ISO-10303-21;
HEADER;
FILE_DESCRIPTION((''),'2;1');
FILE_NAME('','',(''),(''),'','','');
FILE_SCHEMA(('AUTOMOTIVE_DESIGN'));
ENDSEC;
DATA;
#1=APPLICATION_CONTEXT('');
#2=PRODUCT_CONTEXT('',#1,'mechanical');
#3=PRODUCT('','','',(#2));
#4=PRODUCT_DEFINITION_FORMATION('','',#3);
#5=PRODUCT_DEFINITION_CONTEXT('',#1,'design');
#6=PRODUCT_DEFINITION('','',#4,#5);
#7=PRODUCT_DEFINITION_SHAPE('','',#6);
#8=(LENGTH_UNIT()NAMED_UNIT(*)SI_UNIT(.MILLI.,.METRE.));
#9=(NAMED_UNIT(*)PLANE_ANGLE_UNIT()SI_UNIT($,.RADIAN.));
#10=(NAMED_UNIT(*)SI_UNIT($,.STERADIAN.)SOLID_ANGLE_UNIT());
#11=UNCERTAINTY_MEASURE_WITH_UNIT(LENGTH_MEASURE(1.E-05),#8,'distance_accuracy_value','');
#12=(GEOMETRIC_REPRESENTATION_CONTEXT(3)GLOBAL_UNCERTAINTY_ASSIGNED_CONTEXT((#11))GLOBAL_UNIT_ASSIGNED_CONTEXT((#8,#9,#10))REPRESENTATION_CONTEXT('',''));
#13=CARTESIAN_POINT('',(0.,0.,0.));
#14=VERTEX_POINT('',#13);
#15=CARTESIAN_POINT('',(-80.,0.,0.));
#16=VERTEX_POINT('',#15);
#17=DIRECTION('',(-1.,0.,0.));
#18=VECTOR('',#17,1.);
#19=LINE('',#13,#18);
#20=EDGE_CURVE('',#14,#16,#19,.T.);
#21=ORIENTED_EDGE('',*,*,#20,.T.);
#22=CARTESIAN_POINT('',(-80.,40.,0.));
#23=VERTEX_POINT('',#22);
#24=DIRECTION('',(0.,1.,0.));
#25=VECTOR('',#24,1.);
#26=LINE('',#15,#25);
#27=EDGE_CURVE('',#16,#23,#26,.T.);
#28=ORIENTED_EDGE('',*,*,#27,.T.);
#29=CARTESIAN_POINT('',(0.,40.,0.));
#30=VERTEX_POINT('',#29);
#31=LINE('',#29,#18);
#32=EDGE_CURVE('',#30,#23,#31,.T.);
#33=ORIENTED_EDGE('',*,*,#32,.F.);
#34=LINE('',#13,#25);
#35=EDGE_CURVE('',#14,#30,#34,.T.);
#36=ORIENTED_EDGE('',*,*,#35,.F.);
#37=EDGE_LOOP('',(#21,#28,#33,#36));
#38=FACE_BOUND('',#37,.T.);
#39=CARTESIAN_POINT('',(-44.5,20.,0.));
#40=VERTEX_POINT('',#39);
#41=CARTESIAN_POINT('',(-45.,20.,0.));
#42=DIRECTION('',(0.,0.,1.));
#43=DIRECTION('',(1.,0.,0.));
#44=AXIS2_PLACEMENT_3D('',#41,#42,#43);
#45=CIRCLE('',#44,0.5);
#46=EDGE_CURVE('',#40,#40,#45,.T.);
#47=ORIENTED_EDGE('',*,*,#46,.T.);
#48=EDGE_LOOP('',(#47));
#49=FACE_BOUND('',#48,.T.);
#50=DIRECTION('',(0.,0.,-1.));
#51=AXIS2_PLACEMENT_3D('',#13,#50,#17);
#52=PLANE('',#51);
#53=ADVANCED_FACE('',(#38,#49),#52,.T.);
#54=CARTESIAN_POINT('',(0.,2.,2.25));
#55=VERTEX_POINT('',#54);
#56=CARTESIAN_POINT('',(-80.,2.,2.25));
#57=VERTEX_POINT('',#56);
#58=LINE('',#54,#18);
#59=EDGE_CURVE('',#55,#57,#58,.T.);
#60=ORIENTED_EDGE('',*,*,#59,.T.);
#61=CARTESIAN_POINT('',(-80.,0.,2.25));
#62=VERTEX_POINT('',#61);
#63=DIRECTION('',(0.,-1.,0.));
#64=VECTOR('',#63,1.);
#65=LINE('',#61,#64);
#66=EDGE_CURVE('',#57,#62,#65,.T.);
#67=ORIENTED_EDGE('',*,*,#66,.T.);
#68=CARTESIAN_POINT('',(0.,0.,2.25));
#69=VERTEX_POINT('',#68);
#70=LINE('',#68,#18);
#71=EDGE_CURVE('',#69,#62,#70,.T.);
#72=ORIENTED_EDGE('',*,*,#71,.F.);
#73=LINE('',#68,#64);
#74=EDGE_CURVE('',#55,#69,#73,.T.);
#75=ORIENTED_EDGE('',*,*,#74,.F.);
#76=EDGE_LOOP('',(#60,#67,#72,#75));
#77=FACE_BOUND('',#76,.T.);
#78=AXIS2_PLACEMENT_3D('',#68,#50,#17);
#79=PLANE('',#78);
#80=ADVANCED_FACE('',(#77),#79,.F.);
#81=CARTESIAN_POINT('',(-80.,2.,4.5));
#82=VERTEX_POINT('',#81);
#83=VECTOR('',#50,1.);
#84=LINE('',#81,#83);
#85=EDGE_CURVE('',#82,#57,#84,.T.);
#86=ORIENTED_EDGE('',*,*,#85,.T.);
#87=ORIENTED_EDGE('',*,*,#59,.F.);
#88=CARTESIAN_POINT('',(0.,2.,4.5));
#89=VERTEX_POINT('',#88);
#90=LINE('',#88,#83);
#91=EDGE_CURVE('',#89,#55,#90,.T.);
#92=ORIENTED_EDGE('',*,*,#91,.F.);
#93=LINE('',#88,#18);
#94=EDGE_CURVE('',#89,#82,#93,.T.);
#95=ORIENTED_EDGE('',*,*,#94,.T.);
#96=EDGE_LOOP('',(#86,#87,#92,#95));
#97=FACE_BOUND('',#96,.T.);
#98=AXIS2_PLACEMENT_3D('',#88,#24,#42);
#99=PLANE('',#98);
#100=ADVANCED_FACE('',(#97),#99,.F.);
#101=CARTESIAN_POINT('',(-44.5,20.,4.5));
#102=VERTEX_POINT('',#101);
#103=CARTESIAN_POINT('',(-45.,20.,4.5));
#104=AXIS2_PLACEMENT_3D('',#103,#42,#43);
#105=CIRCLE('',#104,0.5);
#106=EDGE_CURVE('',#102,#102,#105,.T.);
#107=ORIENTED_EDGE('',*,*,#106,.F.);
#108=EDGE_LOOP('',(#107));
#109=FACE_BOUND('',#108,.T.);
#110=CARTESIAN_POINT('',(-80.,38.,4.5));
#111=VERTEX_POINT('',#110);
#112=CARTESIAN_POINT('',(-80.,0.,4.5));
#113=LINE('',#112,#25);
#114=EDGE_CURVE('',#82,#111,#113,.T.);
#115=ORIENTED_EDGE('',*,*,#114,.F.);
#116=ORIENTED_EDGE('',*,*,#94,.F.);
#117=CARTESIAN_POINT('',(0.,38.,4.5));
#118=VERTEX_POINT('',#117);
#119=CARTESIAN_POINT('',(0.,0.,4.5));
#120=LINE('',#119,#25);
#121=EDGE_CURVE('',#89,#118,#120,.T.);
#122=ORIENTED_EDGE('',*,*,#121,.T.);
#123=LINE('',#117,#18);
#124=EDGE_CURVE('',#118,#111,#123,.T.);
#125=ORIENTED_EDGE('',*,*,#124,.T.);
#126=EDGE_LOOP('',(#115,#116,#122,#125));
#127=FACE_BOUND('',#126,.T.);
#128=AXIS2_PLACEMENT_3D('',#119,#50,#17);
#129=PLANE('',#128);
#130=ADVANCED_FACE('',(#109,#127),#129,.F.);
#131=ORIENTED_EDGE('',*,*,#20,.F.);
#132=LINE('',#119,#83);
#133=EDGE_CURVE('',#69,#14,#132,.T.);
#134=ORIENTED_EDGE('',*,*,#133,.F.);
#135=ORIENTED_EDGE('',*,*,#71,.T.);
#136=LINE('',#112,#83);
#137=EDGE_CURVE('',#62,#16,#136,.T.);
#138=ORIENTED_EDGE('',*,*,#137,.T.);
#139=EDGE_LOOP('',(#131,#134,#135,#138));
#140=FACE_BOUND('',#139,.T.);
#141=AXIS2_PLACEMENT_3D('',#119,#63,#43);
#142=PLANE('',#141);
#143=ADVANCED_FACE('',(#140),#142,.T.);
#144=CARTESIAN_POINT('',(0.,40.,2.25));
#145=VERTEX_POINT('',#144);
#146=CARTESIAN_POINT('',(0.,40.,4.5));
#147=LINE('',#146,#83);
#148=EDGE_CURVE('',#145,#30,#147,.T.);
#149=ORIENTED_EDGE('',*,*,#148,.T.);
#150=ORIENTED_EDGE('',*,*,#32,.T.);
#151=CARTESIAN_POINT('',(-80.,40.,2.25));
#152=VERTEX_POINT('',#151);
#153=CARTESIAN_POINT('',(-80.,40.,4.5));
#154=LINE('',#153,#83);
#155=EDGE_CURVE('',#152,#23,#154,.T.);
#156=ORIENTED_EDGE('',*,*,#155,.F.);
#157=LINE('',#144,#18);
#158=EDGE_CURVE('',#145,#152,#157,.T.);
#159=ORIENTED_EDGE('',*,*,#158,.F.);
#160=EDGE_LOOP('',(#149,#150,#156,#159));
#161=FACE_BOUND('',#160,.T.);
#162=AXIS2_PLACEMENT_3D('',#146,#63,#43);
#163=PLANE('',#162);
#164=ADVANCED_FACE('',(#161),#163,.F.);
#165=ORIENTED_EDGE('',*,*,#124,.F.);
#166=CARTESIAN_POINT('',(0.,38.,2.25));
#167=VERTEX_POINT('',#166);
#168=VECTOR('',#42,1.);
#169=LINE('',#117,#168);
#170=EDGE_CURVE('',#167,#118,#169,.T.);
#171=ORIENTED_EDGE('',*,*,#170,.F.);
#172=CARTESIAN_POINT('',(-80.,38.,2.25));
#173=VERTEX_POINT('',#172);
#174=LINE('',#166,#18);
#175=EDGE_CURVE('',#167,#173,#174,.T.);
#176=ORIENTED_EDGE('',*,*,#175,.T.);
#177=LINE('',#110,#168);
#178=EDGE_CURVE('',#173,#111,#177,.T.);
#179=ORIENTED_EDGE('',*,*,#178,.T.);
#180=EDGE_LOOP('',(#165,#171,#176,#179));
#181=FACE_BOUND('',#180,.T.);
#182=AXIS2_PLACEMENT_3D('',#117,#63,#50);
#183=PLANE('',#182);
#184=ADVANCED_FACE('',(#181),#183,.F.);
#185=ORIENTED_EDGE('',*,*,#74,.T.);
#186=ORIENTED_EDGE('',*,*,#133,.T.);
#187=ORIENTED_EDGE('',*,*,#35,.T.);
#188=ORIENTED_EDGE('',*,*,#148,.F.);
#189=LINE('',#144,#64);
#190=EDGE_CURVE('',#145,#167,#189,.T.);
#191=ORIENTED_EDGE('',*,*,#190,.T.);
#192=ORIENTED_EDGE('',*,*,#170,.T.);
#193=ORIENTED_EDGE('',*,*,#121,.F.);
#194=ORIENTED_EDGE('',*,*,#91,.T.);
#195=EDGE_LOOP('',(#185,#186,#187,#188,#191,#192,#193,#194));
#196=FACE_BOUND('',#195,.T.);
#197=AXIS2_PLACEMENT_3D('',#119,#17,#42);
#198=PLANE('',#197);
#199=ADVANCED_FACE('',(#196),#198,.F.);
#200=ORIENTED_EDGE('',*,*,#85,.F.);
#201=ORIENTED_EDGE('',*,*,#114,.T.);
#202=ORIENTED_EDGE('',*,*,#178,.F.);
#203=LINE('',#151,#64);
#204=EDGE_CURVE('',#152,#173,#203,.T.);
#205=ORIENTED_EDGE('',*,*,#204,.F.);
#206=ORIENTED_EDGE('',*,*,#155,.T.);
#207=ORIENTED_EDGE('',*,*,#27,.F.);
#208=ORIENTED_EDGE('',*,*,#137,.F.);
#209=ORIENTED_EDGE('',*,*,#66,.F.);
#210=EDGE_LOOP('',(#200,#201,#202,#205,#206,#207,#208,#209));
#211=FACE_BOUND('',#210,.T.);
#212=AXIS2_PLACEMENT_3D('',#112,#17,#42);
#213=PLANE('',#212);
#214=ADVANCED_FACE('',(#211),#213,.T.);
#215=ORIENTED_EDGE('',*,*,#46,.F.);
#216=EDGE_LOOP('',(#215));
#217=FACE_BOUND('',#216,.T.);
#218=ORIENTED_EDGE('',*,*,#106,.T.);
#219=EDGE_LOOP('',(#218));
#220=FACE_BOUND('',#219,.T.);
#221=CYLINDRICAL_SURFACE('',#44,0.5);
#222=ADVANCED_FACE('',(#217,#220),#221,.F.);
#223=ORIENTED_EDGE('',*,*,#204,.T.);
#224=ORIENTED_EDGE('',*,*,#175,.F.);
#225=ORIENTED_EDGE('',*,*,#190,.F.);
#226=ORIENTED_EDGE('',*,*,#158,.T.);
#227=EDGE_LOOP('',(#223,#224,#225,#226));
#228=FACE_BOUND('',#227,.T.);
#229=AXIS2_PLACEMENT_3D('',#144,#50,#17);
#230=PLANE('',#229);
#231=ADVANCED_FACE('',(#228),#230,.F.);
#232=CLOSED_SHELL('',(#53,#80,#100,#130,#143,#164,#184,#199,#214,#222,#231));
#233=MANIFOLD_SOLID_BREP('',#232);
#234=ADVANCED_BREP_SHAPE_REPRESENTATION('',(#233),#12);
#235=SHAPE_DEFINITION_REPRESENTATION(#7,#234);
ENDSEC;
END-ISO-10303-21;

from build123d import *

# Parameters (mm, degrees)
SKETCH1_W           = 40
SKETCH1_H           = 80
BOSS_EXTRUDE1_DEPTH = 4.5
SKETCH2_R           = 0.5
CUT_EXTRUDE1_DEPTH  = 90.555848497
SKETCH3_W           = 2
SKETCH3_H           = 2.25
CUT_EXTRUDE2_DEPTH  = 90.555848497


with BuildPart() as part:
    # Sketch1 → Boss-Extrude1 (new body)
    with BuildSketch(Plane(origin=(0, 0, 0), x_dir=(0, 1, 0), z_dir=(0, 0, 1))):
        with Locations((20, 40)):
            Rectangle(SKETCH1_W, SKETCH1_H)
    extrude(amount=BOSS_EXTRUDE1_DEPTH)

    # Sketch2 → Cut-Extrude1 (cut, through all)
    with BuildSketch(Plane.XY.offset(4.5)):
        with Locations((-45, 20)):
            Circle(SKETCH2_R)
    extrude(amount=-CUT_EXTRUDE1_DEPTH, mode=Mode.SUBTRACT)

    # Sketch3 → Cut-Extrude2 (cut, through all)
    with BuildSketch(Plane(origin=(-80, 0, 0), x_dir=(0, -1, 0), z_dir=(-1, 0, 0))):
        with Locations((-39, 3.375)):
            Rectangle(SKETCH3_W, SKETCH3_H)
        with Locations((-1, 3.375)):
            Rectangle(SKETCH3_W, SKETCH3_H)
    extrude(amount=-CUT_EXTRUDE2_DEPTH, mode=Mode.SUBTRACT)


solid = part.part
